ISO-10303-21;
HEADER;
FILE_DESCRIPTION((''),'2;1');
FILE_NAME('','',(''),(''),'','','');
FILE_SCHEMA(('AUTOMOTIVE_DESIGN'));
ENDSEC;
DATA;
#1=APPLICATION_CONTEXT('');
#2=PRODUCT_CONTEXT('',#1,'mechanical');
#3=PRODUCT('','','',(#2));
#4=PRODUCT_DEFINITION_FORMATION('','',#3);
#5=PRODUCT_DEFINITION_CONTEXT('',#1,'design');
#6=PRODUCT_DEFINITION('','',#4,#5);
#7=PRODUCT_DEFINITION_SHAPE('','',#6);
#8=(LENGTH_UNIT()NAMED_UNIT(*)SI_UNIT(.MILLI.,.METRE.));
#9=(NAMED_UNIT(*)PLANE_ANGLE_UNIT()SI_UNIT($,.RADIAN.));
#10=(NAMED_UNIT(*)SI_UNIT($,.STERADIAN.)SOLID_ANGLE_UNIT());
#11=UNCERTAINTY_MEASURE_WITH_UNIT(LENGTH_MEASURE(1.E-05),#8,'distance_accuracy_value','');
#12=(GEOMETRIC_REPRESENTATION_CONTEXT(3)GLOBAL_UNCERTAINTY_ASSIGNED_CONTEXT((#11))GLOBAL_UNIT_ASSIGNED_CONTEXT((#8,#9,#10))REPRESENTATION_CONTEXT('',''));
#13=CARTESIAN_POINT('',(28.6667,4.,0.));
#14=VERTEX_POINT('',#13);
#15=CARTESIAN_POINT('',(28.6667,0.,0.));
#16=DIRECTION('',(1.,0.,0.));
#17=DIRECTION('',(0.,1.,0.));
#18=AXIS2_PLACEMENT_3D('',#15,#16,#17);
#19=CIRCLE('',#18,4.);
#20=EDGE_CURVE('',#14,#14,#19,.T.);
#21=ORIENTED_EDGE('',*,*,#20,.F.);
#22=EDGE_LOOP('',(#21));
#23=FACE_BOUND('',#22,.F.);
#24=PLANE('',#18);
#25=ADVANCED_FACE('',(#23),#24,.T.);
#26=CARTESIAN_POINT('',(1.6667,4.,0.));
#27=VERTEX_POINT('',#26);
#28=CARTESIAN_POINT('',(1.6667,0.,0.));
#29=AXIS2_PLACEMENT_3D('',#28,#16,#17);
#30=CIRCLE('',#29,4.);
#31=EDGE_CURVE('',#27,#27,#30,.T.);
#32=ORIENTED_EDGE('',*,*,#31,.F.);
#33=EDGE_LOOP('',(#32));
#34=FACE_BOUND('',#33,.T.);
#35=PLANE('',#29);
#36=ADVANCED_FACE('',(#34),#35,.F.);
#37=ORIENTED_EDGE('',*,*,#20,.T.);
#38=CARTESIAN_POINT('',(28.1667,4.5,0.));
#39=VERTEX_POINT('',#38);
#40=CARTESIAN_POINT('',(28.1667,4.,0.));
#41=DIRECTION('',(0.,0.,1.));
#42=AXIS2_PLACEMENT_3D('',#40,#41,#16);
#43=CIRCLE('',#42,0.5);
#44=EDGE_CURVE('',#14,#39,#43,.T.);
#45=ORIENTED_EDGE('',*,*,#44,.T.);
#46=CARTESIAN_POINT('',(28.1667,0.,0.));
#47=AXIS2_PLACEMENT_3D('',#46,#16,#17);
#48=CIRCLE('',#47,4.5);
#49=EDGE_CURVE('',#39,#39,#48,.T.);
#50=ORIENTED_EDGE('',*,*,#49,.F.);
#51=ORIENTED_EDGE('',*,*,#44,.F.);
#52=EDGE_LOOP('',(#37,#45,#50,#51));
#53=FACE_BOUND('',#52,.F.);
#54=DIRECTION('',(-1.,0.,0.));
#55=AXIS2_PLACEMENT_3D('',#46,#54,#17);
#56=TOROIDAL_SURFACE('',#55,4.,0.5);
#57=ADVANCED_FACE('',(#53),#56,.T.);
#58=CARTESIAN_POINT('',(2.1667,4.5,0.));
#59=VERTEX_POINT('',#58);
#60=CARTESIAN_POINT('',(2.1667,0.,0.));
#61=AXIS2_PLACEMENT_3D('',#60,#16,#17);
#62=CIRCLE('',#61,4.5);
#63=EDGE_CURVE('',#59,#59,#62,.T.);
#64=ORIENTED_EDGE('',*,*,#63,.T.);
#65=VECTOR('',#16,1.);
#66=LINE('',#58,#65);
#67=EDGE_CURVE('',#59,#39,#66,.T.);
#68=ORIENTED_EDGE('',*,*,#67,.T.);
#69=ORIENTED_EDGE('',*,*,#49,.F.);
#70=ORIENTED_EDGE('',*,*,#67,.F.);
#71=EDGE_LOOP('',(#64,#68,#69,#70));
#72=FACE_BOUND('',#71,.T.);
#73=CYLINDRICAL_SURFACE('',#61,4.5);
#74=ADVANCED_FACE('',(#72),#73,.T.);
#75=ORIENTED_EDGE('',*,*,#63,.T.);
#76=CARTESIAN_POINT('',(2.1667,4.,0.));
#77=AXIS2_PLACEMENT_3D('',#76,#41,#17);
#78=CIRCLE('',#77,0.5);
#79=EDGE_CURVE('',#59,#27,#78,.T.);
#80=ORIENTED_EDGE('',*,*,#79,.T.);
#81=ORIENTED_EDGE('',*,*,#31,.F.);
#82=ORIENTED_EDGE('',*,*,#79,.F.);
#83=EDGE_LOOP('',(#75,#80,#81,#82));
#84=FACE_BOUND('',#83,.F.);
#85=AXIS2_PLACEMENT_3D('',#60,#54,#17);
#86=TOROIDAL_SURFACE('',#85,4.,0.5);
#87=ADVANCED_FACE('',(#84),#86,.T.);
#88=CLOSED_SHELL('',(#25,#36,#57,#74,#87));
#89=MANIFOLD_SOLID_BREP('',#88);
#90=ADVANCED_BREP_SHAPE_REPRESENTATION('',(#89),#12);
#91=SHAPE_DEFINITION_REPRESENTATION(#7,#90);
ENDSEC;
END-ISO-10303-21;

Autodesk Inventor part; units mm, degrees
ref_plane "YZ Plane" through (0, 0, 0) normal (1, 0, 0) x (0, 1, 0)
ref_plane "XZ Plane" through (0, 0, 0) normal (0, 1, 0) x (-1, 0, 0)
sketch "Sketch1" plane through (0, 0, 0) normal (0, 0, 1) x (1, 0, 0)
  line L0 (1.6667, 0) -> (28.6667, 0)
  line L1 (1.6667, 0) -> (1.6667, 4)
  line L2 (2.1667, 4.5) -> (28.1667, 4.5)
  arc A0 (2.1667, 4.5) -> (1.6667, 4) centre (2.1667, 4) ccw
  line L3 (28.6667, 0) -> (28.6667, 4)
  arc A1 (28.6667, 4) -> (28.1667, 4.5) centre (28.1667, 4) ccw
  line L4 (28.1667, 4) -> (28.6667, 4) construction
  line L5 (28.1667, 4) -> (28.1667, 4.5) construction
  line L6 (2.1667, 4) -> (2.1667, 4.5) construction
  line L7 (2.1667, 4) -> (1.6667, 4) construction
  point P0 (0, 0)
  dimension "d0" = 27
  dimension "d1" = 9
  dimension "d2" = 0.5
  dimension "d3" = 0.5
revolve "Body" add sketch "Sketch1" angle 360 about axis through (1.6667, 0, 0) along (1, 0, 0)
ref_plane "Work Plane1" through (15.1667, 0, 0) normal (1, 0, 0) x (0, 0, -1)
equation "\"d0\" = NLG"
equation "\"d1\" = NND"
equation "\"d2\" = RR"
equation "\"d3\" = RR"
equation "\"NLG\" = 27"
equation "\"NND\" = 9"
equation "\"RR\" = 0.5"
equation "\"NND1\" = 8"
properties part number "DS51F1496-05" material "Steel, Mild"
